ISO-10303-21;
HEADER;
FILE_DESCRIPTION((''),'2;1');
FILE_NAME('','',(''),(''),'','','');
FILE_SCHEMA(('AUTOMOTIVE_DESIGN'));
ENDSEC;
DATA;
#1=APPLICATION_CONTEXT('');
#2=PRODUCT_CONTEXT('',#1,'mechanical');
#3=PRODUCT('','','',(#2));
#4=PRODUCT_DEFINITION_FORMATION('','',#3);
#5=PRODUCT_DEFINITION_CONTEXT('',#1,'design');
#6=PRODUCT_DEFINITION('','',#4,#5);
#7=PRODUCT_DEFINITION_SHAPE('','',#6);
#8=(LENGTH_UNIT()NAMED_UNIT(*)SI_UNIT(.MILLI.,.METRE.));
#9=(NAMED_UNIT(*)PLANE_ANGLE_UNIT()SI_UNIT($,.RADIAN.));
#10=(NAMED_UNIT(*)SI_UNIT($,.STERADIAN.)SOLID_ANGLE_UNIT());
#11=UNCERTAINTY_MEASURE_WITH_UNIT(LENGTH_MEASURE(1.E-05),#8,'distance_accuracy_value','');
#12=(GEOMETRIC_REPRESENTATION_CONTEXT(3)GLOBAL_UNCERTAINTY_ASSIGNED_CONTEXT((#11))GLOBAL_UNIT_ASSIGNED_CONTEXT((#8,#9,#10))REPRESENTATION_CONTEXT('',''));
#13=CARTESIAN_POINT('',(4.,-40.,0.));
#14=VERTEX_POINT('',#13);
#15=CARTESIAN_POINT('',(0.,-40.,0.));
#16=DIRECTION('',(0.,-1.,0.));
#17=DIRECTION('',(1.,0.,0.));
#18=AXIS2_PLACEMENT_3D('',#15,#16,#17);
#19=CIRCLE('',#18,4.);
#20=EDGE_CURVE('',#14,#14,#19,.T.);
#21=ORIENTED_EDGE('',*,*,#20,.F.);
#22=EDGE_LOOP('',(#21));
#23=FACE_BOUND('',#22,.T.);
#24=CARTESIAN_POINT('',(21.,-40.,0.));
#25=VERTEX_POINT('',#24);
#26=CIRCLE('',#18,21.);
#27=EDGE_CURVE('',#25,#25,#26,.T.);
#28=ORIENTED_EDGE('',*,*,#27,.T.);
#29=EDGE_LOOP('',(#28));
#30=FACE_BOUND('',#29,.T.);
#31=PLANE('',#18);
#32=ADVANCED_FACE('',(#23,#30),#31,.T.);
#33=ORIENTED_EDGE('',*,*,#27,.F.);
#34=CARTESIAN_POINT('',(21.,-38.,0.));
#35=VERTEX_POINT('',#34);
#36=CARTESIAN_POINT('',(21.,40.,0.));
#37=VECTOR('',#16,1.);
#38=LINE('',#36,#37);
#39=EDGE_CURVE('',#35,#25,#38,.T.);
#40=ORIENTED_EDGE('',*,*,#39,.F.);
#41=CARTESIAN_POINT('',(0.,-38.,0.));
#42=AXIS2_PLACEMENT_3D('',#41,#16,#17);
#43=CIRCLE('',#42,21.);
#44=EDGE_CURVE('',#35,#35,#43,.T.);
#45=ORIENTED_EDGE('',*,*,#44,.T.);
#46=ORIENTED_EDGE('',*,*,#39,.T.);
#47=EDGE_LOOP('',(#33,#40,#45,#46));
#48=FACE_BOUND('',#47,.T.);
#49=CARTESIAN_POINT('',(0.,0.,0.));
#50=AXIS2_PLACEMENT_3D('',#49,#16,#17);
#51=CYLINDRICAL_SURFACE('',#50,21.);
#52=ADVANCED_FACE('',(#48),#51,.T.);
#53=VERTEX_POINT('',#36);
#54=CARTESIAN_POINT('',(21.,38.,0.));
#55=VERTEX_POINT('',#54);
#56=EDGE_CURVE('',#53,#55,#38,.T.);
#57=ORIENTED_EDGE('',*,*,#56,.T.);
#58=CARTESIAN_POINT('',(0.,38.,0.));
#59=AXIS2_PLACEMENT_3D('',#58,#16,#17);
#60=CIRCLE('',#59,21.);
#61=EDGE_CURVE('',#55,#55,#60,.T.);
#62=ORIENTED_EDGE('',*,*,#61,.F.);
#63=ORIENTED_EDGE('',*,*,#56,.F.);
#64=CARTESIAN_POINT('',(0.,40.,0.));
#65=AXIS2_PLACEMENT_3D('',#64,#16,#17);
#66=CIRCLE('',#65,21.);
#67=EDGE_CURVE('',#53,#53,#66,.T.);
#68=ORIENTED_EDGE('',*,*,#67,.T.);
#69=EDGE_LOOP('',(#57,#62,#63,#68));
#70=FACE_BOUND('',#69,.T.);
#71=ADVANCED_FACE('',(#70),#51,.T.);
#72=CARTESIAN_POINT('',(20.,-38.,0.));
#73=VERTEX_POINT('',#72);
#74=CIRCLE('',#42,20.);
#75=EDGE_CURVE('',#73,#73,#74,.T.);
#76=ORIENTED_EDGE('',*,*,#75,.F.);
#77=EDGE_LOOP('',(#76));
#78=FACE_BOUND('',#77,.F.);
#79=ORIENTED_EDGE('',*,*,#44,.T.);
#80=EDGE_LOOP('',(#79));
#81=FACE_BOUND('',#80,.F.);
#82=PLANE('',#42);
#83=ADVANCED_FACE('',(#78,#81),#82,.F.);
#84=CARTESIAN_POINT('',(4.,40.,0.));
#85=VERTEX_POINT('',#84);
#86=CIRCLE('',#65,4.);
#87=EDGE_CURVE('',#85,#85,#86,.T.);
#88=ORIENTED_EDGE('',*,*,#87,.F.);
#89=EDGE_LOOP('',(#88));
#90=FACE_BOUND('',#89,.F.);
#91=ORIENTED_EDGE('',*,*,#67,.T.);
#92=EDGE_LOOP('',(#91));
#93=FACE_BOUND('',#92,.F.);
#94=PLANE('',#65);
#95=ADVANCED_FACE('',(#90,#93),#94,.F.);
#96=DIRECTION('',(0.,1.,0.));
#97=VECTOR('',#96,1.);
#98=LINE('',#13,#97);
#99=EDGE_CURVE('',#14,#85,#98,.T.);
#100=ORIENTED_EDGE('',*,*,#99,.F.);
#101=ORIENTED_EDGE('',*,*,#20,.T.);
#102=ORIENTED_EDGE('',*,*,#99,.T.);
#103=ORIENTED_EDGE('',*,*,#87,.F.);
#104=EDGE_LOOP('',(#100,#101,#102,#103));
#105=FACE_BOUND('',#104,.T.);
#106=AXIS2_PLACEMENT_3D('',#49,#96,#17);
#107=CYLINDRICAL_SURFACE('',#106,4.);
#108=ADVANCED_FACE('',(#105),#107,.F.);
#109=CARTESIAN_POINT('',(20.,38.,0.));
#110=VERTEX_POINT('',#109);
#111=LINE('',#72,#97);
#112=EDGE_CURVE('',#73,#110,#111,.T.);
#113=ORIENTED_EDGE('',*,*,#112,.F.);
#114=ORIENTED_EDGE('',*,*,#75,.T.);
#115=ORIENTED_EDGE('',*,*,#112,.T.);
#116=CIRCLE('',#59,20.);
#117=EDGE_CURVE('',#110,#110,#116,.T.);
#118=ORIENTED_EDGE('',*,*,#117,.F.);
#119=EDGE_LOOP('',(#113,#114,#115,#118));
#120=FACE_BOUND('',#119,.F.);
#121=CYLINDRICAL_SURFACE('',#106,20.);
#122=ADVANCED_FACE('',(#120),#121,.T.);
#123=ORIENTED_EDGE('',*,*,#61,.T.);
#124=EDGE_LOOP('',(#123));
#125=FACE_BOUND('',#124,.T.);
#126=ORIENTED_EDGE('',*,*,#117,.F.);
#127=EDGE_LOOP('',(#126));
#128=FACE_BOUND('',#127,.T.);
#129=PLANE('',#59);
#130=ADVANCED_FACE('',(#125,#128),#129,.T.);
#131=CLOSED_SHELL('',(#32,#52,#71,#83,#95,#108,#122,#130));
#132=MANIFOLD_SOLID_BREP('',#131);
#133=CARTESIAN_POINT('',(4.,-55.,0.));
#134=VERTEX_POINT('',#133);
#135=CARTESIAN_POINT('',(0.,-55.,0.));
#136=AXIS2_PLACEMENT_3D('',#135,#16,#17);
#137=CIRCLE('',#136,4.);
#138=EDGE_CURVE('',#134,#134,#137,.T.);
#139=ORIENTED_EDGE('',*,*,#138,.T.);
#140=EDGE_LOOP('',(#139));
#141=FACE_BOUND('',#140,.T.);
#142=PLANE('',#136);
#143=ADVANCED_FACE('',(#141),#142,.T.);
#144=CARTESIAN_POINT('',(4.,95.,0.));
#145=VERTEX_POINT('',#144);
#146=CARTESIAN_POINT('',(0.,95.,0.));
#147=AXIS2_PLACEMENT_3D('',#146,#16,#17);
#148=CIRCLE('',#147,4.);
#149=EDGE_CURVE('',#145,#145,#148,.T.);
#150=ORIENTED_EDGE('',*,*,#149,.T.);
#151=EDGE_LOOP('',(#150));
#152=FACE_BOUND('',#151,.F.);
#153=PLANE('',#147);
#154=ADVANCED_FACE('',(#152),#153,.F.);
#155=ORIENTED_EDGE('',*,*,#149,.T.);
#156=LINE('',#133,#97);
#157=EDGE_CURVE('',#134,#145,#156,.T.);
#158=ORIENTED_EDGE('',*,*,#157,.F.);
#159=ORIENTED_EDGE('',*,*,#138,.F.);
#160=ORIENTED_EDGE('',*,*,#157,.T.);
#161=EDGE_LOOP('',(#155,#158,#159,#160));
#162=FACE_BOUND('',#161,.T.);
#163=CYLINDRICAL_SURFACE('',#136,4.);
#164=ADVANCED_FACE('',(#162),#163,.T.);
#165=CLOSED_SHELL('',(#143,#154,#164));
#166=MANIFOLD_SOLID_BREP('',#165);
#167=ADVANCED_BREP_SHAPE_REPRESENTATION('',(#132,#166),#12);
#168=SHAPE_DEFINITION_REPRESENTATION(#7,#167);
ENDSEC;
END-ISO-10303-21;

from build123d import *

# Parameters (mm, degrees)
F0_R     = 21
F0_R_2   = 20
F0_R_3   = 4
F1_DEPTH = 40
F2_DEPTH = 38
F4_R     = 4
F5_DEPTH = 150


with BuildPart() as f1:
    # F0 (on Front) → F1 (new body, symmetric)
    with BuildSketch(Plane.XZ):
        Circle(F0_R)
        Circle(F0_R_2, mode=Mode.SUBTRACT)
        Circle(F0_R_2)
        Circle(F0_R_3, mode=Mode.SUBTRACT)
    extrude(amount=F1_DEPTH, both=True)

    # F0 (on Front) → F2 (cut, symmetric)
    with BuildSketch(Plane.XZ):
        Circle(F0_R)
        Circle(F0_R_2, mode=Mode.SUBTRACT)
    extrude(amount=F2_DEPTH, both=True, mode=Mode.SUBTRACT)


with BuildPart() as f5:
    # F4 (on offset) → F5 (new body)
    with BuildSketch(Plane.XZ.offset(55)):
        Circle(F4_R)
    extrude(amount=-F5_DEPTH)


solid = Compound([f1.part, f5.part])
